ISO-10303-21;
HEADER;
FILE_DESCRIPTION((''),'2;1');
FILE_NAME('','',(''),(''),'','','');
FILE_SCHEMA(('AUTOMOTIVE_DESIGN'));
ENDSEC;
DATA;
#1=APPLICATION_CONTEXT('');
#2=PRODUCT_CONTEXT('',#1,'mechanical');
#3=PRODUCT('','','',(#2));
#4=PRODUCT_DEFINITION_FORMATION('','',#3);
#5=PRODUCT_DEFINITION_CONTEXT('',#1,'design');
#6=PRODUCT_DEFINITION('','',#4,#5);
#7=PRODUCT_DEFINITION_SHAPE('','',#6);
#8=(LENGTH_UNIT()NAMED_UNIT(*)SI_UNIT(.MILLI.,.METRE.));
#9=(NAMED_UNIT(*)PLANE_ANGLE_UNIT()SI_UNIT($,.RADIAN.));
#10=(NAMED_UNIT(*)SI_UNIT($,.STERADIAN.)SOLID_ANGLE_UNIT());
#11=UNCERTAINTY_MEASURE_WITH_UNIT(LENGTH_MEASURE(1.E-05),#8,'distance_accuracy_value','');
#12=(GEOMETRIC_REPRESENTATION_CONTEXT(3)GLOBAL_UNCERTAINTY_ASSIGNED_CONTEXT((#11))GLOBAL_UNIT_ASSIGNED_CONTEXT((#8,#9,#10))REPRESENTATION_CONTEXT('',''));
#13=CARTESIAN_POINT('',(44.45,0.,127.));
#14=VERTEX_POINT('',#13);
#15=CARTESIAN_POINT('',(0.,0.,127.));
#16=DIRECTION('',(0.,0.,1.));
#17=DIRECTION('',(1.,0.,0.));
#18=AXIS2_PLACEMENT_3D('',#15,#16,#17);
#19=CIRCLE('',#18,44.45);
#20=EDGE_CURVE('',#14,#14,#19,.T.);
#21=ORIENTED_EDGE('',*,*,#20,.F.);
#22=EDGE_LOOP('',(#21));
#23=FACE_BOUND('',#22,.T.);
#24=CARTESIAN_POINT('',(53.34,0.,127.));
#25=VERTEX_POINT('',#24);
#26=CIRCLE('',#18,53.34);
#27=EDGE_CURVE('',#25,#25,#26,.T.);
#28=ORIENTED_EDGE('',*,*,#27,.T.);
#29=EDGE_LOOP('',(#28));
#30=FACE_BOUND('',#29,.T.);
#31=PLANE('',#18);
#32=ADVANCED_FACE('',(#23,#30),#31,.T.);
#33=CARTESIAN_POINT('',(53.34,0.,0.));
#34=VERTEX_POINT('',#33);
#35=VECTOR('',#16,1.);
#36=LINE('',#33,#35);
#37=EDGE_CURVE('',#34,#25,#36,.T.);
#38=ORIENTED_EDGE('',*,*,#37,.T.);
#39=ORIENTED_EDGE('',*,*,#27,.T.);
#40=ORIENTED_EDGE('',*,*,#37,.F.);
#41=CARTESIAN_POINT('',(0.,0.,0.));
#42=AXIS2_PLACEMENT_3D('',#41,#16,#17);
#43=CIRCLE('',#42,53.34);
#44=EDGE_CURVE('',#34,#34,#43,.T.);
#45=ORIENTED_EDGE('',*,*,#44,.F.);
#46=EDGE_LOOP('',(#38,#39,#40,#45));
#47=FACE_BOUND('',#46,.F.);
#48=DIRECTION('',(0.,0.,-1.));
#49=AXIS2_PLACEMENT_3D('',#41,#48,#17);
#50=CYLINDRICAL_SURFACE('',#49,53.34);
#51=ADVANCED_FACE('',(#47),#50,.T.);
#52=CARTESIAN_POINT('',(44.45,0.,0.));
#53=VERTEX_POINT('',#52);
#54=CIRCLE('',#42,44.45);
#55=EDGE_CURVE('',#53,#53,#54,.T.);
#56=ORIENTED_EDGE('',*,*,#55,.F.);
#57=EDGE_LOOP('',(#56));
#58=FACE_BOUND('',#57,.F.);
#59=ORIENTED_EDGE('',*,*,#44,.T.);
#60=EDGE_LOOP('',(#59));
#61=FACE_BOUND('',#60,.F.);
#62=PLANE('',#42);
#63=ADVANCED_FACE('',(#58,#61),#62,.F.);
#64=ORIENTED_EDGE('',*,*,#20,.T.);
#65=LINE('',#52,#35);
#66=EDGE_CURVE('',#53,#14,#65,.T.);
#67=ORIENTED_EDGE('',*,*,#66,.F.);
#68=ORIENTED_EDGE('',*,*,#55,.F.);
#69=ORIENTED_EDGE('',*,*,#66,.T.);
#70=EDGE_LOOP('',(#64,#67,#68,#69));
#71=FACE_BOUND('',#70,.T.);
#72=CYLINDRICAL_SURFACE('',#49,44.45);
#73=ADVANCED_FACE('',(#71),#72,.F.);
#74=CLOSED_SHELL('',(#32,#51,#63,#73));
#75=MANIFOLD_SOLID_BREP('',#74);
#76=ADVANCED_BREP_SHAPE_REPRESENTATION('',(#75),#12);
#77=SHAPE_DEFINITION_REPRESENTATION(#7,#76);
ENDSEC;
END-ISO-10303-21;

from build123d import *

# Parameters (mm, degrees)
F0_R     = 53.34
F0_R_2   = 44.45
F1_DEPTH = 127


with BuildPart() as f1:
    # F0 (on Top) → F1 (new body)
    with BuildSketch(Plane.XY):
        Circle(F0_R)
        Circle(F0_R_2, mode=Mode.SUBTRACT)
    extrude(amount=F1_DEPTH)


solid = f1.part
